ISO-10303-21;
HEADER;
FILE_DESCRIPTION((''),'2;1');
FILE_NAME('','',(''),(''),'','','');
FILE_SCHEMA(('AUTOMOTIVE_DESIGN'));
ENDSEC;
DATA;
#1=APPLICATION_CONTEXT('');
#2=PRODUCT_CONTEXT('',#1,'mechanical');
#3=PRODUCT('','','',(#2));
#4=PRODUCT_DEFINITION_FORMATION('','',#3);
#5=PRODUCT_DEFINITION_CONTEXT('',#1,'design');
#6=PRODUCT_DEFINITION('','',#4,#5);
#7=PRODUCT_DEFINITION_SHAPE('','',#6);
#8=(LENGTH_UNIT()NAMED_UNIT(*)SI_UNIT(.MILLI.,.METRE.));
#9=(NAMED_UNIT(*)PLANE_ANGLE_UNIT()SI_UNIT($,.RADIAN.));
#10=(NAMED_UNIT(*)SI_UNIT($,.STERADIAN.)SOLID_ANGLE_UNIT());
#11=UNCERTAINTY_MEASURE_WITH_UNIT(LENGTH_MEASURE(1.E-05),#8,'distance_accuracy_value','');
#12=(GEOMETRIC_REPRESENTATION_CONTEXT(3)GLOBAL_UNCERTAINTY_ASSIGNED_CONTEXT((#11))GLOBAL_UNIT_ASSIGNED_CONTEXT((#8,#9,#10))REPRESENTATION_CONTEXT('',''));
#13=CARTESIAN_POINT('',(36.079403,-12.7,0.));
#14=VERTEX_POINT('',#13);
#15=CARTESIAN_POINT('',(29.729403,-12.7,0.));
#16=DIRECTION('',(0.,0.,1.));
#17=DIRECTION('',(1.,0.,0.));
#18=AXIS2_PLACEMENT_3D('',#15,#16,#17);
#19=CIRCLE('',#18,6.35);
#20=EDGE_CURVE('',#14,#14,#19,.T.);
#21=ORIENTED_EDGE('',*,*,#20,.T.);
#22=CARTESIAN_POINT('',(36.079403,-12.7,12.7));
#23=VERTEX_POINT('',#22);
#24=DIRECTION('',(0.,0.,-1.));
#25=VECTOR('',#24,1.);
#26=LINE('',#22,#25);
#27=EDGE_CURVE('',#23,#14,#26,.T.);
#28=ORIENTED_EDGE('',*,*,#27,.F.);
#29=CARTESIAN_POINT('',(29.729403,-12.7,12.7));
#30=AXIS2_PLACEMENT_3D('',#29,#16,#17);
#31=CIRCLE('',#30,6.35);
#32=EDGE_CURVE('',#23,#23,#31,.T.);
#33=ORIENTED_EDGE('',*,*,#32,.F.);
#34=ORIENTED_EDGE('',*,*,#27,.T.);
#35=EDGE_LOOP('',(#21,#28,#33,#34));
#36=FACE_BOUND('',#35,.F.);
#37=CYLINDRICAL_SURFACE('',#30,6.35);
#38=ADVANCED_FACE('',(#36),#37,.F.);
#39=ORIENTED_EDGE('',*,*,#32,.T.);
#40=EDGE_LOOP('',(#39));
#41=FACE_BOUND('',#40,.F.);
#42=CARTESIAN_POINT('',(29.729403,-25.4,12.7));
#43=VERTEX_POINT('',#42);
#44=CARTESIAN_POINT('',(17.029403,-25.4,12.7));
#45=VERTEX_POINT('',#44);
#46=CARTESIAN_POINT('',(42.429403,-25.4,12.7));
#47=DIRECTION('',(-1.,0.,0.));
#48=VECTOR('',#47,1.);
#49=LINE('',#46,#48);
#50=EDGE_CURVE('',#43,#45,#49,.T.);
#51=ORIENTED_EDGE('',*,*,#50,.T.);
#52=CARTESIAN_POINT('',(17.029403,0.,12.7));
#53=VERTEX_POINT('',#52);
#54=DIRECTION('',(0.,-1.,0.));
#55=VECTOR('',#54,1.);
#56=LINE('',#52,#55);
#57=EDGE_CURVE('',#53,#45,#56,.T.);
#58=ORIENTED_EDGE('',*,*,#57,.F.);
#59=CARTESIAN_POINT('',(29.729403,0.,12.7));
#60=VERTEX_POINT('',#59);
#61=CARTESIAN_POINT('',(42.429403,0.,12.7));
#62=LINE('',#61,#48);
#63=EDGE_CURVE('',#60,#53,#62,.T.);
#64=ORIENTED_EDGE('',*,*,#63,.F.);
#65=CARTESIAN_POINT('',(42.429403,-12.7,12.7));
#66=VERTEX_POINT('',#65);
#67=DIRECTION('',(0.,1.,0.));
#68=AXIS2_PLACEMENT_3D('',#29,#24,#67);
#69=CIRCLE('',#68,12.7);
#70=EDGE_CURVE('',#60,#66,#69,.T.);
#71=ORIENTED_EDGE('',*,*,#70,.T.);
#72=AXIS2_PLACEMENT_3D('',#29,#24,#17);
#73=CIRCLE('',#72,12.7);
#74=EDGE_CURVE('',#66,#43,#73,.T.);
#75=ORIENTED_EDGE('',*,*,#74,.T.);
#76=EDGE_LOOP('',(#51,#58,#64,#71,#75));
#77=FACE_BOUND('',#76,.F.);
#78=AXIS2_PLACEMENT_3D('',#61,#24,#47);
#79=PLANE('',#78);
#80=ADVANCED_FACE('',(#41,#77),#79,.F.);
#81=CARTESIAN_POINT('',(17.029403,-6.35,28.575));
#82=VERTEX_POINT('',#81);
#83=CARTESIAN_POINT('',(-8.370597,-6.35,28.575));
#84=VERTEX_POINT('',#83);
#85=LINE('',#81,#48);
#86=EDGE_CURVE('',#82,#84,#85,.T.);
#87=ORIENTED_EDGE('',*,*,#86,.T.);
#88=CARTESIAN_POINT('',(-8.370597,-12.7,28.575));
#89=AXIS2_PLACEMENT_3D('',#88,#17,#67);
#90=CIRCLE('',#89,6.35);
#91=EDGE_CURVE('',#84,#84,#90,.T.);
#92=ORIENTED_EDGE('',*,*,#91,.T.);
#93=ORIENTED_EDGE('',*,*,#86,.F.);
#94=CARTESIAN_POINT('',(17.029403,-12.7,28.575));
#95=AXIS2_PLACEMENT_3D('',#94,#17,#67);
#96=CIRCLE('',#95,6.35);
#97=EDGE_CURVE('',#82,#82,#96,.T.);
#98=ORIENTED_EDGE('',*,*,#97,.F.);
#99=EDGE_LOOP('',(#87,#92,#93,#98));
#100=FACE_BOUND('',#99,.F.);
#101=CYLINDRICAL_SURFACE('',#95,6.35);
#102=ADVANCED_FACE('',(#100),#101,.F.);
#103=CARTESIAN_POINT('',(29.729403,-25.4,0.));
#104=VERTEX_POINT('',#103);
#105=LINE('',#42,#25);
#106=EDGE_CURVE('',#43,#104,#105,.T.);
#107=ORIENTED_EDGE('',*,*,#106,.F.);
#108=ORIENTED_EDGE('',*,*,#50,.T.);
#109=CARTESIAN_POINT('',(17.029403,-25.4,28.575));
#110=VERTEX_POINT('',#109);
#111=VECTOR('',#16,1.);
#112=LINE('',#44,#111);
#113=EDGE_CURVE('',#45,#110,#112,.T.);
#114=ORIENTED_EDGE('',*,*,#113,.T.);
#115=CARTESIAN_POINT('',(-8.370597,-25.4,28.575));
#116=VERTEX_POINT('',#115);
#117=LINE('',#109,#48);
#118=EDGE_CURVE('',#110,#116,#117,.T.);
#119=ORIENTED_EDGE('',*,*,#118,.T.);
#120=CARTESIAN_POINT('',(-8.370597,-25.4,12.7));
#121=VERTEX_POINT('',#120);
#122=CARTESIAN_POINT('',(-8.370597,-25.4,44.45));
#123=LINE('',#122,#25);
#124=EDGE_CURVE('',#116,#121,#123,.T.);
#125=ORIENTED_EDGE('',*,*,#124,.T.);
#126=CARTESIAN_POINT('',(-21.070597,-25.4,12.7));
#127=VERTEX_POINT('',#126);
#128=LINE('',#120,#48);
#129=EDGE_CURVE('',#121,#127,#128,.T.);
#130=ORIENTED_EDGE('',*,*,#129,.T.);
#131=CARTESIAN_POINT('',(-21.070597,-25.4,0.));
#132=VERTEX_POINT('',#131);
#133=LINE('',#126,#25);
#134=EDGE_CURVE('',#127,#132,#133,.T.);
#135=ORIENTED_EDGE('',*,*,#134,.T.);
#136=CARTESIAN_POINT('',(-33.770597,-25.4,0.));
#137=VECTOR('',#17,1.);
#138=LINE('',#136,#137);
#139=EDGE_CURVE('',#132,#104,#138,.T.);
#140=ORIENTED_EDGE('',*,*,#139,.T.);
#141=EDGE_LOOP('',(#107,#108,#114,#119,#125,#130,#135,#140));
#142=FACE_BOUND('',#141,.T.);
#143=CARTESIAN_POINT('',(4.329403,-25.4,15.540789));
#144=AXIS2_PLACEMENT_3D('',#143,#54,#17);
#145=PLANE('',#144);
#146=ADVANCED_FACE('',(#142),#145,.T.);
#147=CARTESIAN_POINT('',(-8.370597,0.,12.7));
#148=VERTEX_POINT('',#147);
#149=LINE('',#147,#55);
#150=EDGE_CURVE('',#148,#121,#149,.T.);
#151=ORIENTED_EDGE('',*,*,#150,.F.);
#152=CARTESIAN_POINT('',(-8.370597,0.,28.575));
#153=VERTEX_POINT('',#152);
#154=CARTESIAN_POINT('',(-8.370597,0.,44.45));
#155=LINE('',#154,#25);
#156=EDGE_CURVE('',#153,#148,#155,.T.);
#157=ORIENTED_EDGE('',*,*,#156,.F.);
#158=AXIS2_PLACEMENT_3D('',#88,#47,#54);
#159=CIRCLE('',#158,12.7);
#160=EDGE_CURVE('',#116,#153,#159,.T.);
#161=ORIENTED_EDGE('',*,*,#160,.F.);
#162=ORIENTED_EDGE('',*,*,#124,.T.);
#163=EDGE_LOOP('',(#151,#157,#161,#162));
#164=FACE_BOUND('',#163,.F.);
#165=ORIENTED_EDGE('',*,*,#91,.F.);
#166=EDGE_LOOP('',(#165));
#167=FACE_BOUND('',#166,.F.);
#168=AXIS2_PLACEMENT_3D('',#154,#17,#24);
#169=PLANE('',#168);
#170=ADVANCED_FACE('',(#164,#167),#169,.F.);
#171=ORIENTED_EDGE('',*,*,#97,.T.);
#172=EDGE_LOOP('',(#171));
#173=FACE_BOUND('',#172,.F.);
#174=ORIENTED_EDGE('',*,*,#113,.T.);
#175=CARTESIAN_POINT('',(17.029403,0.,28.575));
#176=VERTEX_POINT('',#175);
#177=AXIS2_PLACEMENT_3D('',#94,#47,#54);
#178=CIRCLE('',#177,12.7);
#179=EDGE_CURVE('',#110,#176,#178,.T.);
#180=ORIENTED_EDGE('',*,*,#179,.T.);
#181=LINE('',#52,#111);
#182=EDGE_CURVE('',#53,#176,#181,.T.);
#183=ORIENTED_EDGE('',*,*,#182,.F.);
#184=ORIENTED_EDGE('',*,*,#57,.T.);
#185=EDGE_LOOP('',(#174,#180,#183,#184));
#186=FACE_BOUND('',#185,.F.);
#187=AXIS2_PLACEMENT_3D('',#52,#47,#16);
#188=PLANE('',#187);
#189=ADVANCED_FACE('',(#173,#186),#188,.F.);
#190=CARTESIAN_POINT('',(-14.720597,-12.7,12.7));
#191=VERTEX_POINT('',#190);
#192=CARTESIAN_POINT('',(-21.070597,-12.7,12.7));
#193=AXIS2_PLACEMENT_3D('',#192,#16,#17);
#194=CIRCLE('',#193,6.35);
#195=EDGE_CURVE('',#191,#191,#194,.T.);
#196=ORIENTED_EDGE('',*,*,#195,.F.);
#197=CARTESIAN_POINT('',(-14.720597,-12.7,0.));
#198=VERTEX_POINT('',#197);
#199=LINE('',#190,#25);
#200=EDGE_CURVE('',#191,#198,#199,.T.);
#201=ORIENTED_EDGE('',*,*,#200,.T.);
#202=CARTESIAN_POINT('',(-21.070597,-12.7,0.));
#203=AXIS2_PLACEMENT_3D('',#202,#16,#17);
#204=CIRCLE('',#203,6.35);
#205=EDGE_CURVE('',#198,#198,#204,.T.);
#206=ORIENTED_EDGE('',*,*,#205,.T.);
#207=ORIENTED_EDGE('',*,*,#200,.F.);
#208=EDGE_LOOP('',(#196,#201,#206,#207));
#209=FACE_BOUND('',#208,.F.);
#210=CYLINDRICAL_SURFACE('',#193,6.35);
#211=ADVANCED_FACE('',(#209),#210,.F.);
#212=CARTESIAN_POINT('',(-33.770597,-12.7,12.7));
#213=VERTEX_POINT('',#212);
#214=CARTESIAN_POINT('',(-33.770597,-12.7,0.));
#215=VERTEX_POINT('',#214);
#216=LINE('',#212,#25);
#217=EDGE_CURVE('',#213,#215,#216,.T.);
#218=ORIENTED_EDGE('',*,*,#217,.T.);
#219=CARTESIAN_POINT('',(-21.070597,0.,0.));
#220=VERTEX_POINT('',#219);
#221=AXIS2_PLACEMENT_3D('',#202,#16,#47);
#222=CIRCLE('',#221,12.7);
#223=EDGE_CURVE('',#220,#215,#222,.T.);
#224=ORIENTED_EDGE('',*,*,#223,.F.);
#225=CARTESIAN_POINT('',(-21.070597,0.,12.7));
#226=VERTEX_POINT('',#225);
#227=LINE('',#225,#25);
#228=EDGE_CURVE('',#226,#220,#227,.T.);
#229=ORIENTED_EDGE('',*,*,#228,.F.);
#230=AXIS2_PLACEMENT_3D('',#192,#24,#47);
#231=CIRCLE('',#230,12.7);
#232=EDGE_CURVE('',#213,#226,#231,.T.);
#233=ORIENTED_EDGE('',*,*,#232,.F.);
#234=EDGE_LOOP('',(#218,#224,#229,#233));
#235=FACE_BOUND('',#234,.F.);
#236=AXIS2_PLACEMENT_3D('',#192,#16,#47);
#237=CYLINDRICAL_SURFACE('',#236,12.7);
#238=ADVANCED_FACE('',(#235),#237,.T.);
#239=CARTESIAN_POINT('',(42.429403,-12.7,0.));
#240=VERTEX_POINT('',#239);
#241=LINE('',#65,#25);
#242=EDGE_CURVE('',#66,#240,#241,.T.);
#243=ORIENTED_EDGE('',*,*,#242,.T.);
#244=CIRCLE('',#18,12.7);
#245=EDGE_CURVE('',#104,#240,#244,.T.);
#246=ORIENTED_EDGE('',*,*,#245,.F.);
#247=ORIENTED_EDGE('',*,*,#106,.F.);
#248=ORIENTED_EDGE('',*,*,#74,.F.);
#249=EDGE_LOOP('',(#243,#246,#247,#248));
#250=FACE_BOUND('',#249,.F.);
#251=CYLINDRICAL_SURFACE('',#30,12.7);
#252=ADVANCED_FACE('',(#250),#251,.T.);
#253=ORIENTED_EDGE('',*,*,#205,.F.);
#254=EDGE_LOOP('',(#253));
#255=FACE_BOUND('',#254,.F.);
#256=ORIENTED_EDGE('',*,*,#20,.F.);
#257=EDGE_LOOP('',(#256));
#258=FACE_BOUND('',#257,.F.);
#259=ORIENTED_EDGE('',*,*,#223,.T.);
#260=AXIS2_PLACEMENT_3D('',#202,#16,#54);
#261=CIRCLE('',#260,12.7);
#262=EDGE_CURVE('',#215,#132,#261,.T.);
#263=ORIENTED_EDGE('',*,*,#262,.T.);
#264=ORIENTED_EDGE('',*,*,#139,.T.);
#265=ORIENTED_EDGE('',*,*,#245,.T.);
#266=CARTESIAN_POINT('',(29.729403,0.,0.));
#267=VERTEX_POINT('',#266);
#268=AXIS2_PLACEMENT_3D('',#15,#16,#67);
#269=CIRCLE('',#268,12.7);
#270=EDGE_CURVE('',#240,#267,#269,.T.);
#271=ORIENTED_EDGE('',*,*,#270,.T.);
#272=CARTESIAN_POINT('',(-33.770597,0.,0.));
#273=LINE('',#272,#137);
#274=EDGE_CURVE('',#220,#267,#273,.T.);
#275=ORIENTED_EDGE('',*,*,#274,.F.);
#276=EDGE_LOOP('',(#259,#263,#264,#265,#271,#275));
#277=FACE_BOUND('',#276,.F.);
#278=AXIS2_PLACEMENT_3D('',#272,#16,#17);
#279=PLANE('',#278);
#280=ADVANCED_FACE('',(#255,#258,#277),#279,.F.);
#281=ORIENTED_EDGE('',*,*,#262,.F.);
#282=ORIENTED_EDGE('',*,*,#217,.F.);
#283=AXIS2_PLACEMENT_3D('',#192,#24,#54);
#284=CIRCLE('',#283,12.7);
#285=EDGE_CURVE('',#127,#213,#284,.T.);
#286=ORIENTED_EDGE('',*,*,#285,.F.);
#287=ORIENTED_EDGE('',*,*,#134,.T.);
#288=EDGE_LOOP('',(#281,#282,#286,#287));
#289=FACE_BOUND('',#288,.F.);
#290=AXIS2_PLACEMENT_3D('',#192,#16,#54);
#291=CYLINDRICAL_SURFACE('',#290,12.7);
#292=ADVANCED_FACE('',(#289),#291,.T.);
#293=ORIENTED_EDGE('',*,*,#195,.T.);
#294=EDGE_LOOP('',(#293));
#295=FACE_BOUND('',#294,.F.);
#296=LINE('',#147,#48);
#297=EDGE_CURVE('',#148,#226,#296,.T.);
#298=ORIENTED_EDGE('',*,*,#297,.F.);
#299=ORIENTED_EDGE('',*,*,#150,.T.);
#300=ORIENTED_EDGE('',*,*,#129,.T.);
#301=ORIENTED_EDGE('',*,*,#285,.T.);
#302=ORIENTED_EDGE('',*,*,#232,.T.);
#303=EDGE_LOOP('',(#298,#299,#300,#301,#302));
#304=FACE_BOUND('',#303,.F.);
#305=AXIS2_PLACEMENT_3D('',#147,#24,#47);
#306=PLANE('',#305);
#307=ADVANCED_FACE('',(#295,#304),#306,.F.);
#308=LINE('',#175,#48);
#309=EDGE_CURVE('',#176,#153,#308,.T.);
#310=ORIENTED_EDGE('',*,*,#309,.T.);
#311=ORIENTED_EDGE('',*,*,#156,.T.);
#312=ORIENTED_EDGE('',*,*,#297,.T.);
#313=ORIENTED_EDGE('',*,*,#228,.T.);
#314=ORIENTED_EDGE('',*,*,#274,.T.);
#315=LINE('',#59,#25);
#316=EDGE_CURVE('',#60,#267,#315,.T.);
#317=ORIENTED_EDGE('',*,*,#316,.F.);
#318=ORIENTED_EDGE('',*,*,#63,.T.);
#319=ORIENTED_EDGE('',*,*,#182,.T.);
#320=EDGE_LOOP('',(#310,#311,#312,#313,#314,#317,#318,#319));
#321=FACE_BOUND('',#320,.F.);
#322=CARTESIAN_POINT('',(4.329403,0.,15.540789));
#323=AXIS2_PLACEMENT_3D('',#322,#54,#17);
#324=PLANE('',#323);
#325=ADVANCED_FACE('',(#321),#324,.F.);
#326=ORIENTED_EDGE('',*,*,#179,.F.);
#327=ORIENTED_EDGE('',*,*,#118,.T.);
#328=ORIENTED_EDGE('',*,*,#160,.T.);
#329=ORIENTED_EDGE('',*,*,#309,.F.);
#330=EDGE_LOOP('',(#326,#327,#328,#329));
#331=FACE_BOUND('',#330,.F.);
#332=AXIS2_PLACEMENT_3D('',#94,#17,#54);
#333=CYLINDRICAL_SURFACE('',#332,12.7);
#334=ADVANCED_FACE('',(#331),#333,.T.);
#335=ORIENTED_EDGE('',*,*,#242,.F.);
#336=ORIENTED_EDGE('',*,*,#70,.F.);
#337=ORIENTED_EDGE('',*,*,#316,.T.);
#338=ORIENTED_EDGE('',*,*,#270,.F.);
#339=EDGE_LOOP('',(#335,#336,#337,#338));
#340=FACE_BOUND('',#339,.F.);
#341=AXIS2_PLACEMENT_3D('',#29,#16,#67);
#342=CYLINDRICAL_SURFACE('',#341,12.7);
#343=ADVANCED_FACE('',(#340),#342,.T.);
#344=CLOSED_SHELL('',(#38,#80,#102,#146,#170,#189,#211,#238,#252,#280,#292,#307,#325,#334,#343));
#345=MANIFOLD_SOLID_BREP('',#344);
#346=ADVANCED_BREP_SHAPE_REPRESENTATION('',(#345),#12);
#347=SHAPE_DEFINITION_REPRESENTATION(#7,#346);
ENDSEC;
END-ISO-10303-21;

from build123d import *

# Parameters (mm, degrees)
F1_DEPTH  = 25.4
F3_DEPTH  = 25.4
F4_R      = 6.35
F5_DEPTH  = 25.4
F7_DEPTH  = 25.4
F9_DEPTH  = 25.4
F10_R     = 6.35
F11_DEPTH = 25.4
F12_R     = 6.35
F13_DEPTH = 25.4


with BuildPart() as f1:
    # F0 (on Front) → F1 (new body)
    with BuildSketch(Plane.XZ):
        Polygon((-33.770596805, 12.7), (-33.770596805, 0), (42.429403195, 0), (42.429403195, 12.7), (17.029403195, 12.7), (17.029403195, 44.45), (-8.370596805, 44.45), (-8.370596805, 12.7), align=None)
    extrude(amount=F1_DEPTH)

    # F2 (on face) → F3 (cut)
    with BuildSketch(Plane.YZ.offset(17.029403195)):
        with BuildLine():
            ThreePointArc((-25.4, 28.575), (-12.7, 41.275), (0, 28.575))
            Line((0, 28.575), (0, 44.45))
            Line((0, 44.45), (-25.4, 44.45))
            Line((-25.4, 44.45), (-25.4, 28.575))
        make_face()
    extrude(amount=-F3_DEPTH, mode=Mode.SUBTRACT)

    # F4 (on face) → F5 (cut)
    with BuildSketch(Plane.YZ.offset(17.029403195)):
        with Locations((-12.7, 28.575)):
            Circle(F4_R)
    extrude(amount=-F5_DEPTH, mode=Mode.SUBTRACT)

    # F6 (on face) → F7 (cut)
    with BuildSketch(Plane.XY.offset(12.7)):
        with BuildLine():
            ThreePointArc((29.729403195, 0), (38.7096593161, -3.7197438789), (42.429403195, -12.7))
            Line((42.429403195, -12.7), (42.429403195, 0))
            Line((42.429403195, 0), (29.729403195, 0))
        make_face()
        with BuildLine():
            Line((42.429403195, -25.4), (42.429403195, -12.7))
            ThreePointArc((42.429403195, -12.7), (38.7096593161, -21.6802561211), (29.729403195, -25.4))
            Line((29.729403195, -25.4), (42.429403195, -25.4))
        make_face()
    extrude(amount=-F7_DEPTH, mode=Mode.SUBTRACT)

    # F8 (on face) → F9 (cut)
    with BuildSketch(Plane.XY.offset(12.7)):
        with BuildLine():
            ThreePointArc((-33.770596805, -12.7), (-30.0508529261, -3.7197438789), (-21.070596805, 0))
            Line((-21.070596805, 0), (-33.770596805, 0))
            Line((-33.770596805, 0), (-33.770596805, -12.7))
        make_face()
        with BuildLine():
            Line((-33.770596805, -25.4), (-21.070596805, -25.4))
            ThreePointArc((-21.070596805, -25.4), (-30.0508529261, -21.6802561211), (-33.770596805, -12.7))
            Line((-33.770596805, -12.7), (-33.770596805, -25.4))
        make_face()
    extrude(amount=-F9_DEPTH, mode=Mode.SUBTRACT)

    # F10 (on face) → F11 (cut)
    with BuildSketch(Plane.XY.offset(12.7)):
        with Locations((-21.070596805, -12.7)):
            Circle(F10_R)
    extrude(amount=-F11_DEPTH, mode=Mode.SUBTRACT)

    # F12 (on face) → F13 (cut)
    with BuildSketch(Plane.XY.offset(12.7)):
        with Locations((29.729403195, -12.7)):
            Circle(F12_R)
    extrude(amount=-F13_DEPTH, mode=Mode.SUBTRACT)


solid = f1.part
